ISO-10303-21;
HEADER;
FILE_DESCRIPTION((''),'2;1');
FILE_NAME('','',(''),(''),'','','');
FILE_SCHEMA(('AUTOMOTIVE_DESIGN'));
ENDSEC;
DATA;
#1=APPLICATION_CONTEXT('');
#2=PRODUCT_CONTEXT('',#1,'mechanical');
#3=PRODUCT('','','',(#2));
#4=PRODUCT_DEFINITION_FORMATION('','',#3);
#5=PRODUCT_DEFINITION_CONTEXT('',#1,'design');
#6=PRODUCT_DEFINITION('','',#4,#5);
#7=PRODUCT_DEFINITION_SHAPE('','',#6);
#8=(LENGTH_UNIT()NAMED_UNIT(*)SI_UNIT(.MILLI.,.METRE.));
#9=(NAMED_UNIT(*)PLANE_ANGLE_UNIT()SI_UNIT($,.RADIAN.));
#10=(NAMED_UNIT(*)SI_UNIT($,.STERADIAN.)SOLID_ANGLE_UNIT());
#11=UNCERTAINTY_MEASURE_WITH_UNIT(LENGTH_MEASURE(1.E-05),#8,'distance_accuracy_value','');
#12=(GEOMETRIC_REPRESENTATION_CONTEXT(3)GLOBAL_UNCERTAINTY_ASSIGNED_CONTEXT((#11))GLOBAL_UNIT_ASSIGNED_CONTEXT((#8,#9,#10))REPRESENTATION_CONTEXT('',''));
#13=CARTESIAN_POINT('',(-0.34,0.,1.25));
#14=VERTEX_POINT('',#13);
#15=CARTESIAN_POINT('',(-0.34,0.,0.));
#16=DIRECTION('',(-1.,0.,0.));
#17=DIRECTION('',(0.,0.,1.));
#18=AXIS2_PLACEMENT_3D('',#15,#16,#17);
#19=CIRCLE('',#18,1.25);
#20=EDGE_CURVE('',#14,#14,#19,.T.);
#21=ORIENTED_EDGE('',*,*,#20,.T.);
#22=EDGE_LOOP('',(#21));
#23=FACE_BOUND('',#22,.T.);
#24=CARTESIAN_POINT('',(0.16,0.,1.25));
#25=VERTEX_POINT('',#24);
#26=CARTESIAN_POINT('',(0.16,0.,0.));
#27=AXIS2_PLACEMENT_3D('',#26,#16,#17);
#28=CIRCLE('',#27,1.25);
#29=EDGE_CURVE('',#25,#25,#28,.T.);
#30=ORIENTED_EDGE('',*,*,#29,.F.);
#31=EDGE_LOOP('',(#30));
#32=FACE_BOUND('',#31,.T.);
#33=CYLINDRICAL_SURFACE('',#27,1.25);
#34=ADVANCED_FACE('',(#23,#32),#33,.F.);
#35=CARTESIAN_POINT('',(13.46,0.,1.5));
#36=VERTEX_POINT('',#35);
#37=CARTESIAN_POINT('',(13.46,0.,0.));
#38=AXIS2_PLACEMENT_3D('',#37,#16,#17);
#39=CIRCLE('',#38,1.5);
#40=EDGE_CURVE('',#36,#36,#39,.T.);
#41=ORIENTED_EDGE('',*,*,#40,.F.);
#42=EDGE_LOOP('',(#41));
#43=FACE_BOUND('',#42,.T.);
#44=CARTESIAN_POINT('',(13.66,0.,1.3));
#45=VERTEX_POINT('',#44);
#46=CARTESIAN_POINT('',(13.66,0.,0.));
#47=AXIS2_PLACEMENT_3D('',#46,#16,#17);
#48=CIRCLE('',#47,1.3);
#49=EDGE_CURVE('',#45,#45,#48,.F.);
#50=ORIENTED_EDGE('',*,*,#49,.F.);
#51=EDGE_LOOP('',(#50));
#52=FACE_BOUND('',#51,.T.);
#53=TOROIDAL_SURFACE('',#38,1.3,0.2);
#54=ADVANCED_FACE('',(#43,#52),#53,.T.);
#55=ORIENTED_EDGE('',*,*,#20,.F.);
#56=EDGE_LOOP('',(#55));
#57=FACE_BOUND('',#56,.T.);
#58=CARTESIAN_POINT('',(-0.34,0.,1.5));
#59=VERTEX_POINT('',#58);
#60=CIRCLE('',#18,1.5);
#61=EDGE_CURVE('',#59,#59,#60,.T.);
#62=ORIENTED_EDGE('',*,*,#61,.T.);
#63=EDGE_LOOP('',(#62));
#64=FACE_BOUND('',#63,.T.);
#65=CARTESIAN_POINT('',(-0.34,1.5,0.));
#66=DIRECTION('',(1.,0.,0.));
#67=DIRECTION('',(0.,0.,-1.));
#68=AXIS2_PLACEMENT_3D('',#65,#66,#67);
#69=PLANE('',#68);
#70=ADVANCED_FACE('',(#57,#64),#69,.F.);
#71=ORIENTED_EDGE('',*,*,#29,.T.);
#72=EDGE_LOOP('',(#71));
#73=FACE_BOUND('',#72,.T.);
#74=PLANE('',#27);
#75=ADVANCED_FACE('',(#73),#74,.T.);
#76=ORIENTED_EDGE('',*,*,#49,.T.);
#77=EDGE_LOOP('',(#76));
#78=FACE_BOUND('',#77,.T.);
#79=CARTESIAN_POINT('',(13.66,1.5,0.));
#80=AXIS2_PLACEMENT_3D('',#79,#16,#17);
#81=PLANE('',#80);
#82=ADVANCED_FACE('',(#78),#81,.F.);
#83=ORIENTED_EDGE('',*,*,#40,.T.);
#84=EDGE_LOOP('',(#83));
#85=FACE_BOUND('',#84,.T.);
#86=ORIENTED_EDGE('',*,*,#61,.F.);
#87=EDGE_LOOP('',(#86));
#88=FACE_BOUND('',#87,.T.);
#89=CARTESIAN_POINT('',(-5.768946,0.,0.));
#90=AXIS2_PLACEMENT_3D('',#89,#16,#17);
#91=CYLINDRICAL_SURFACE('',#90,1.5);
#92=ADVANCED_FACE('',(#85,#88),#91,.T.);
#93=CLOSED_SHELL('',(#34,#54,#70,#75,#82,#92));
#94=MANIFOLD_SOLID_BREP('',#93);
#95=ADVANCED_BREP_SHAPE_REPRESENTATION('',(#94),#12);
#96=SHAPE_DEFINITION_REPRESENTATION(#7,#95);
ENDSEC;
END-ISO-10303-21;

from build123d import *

# Parameters (mm, degrees)
ESQUISSE1_W             = 14
ESQUISSE1_H             = 1.5
CONG_1_R                = 0.2
ESQUISSE2_R             = 1.25
ENL_V_MAT_EXTRU_1_DEPTH = 0.5


with BuildPart() as part:
    # Esquisse1 → Révolution1 (revolve)
    with BuildSketch(Plane.XY, mode=Mode.PRIVATE) as r_volution1_sk:
        with Locations((6.66, 0.75)):
            Rectangle(ESQUISSE1_W, ESQUISSE1_H)
    revolve(r_volution1_sk.sketch.rotate(Axis((-5.768945874, 0, 0), (1, 0, 0)), 90), axis=Axis((-5.768945874, 0, 0), (1, 0, 0)))

    # Congé1
    cong_1_edges = [part.edges().sort_by_distance(p)[0] for p in [
        (13.66, 0, -1.5),
    ]]
    fillet(cong_1_edges, radius=CONG_1_R)

    # Esquisse2 → Enlèv. mat.-Extru.1 (cut)
    with BuildSketch(Plane.ZY.offset(0.34)):
        Circle(ESQUISSE2_R)
    extrude(amount=-ENL_V_MAT_EXTRU_1_DEPTH, mode=Mode.SUBTRACT)


solid = part.part
